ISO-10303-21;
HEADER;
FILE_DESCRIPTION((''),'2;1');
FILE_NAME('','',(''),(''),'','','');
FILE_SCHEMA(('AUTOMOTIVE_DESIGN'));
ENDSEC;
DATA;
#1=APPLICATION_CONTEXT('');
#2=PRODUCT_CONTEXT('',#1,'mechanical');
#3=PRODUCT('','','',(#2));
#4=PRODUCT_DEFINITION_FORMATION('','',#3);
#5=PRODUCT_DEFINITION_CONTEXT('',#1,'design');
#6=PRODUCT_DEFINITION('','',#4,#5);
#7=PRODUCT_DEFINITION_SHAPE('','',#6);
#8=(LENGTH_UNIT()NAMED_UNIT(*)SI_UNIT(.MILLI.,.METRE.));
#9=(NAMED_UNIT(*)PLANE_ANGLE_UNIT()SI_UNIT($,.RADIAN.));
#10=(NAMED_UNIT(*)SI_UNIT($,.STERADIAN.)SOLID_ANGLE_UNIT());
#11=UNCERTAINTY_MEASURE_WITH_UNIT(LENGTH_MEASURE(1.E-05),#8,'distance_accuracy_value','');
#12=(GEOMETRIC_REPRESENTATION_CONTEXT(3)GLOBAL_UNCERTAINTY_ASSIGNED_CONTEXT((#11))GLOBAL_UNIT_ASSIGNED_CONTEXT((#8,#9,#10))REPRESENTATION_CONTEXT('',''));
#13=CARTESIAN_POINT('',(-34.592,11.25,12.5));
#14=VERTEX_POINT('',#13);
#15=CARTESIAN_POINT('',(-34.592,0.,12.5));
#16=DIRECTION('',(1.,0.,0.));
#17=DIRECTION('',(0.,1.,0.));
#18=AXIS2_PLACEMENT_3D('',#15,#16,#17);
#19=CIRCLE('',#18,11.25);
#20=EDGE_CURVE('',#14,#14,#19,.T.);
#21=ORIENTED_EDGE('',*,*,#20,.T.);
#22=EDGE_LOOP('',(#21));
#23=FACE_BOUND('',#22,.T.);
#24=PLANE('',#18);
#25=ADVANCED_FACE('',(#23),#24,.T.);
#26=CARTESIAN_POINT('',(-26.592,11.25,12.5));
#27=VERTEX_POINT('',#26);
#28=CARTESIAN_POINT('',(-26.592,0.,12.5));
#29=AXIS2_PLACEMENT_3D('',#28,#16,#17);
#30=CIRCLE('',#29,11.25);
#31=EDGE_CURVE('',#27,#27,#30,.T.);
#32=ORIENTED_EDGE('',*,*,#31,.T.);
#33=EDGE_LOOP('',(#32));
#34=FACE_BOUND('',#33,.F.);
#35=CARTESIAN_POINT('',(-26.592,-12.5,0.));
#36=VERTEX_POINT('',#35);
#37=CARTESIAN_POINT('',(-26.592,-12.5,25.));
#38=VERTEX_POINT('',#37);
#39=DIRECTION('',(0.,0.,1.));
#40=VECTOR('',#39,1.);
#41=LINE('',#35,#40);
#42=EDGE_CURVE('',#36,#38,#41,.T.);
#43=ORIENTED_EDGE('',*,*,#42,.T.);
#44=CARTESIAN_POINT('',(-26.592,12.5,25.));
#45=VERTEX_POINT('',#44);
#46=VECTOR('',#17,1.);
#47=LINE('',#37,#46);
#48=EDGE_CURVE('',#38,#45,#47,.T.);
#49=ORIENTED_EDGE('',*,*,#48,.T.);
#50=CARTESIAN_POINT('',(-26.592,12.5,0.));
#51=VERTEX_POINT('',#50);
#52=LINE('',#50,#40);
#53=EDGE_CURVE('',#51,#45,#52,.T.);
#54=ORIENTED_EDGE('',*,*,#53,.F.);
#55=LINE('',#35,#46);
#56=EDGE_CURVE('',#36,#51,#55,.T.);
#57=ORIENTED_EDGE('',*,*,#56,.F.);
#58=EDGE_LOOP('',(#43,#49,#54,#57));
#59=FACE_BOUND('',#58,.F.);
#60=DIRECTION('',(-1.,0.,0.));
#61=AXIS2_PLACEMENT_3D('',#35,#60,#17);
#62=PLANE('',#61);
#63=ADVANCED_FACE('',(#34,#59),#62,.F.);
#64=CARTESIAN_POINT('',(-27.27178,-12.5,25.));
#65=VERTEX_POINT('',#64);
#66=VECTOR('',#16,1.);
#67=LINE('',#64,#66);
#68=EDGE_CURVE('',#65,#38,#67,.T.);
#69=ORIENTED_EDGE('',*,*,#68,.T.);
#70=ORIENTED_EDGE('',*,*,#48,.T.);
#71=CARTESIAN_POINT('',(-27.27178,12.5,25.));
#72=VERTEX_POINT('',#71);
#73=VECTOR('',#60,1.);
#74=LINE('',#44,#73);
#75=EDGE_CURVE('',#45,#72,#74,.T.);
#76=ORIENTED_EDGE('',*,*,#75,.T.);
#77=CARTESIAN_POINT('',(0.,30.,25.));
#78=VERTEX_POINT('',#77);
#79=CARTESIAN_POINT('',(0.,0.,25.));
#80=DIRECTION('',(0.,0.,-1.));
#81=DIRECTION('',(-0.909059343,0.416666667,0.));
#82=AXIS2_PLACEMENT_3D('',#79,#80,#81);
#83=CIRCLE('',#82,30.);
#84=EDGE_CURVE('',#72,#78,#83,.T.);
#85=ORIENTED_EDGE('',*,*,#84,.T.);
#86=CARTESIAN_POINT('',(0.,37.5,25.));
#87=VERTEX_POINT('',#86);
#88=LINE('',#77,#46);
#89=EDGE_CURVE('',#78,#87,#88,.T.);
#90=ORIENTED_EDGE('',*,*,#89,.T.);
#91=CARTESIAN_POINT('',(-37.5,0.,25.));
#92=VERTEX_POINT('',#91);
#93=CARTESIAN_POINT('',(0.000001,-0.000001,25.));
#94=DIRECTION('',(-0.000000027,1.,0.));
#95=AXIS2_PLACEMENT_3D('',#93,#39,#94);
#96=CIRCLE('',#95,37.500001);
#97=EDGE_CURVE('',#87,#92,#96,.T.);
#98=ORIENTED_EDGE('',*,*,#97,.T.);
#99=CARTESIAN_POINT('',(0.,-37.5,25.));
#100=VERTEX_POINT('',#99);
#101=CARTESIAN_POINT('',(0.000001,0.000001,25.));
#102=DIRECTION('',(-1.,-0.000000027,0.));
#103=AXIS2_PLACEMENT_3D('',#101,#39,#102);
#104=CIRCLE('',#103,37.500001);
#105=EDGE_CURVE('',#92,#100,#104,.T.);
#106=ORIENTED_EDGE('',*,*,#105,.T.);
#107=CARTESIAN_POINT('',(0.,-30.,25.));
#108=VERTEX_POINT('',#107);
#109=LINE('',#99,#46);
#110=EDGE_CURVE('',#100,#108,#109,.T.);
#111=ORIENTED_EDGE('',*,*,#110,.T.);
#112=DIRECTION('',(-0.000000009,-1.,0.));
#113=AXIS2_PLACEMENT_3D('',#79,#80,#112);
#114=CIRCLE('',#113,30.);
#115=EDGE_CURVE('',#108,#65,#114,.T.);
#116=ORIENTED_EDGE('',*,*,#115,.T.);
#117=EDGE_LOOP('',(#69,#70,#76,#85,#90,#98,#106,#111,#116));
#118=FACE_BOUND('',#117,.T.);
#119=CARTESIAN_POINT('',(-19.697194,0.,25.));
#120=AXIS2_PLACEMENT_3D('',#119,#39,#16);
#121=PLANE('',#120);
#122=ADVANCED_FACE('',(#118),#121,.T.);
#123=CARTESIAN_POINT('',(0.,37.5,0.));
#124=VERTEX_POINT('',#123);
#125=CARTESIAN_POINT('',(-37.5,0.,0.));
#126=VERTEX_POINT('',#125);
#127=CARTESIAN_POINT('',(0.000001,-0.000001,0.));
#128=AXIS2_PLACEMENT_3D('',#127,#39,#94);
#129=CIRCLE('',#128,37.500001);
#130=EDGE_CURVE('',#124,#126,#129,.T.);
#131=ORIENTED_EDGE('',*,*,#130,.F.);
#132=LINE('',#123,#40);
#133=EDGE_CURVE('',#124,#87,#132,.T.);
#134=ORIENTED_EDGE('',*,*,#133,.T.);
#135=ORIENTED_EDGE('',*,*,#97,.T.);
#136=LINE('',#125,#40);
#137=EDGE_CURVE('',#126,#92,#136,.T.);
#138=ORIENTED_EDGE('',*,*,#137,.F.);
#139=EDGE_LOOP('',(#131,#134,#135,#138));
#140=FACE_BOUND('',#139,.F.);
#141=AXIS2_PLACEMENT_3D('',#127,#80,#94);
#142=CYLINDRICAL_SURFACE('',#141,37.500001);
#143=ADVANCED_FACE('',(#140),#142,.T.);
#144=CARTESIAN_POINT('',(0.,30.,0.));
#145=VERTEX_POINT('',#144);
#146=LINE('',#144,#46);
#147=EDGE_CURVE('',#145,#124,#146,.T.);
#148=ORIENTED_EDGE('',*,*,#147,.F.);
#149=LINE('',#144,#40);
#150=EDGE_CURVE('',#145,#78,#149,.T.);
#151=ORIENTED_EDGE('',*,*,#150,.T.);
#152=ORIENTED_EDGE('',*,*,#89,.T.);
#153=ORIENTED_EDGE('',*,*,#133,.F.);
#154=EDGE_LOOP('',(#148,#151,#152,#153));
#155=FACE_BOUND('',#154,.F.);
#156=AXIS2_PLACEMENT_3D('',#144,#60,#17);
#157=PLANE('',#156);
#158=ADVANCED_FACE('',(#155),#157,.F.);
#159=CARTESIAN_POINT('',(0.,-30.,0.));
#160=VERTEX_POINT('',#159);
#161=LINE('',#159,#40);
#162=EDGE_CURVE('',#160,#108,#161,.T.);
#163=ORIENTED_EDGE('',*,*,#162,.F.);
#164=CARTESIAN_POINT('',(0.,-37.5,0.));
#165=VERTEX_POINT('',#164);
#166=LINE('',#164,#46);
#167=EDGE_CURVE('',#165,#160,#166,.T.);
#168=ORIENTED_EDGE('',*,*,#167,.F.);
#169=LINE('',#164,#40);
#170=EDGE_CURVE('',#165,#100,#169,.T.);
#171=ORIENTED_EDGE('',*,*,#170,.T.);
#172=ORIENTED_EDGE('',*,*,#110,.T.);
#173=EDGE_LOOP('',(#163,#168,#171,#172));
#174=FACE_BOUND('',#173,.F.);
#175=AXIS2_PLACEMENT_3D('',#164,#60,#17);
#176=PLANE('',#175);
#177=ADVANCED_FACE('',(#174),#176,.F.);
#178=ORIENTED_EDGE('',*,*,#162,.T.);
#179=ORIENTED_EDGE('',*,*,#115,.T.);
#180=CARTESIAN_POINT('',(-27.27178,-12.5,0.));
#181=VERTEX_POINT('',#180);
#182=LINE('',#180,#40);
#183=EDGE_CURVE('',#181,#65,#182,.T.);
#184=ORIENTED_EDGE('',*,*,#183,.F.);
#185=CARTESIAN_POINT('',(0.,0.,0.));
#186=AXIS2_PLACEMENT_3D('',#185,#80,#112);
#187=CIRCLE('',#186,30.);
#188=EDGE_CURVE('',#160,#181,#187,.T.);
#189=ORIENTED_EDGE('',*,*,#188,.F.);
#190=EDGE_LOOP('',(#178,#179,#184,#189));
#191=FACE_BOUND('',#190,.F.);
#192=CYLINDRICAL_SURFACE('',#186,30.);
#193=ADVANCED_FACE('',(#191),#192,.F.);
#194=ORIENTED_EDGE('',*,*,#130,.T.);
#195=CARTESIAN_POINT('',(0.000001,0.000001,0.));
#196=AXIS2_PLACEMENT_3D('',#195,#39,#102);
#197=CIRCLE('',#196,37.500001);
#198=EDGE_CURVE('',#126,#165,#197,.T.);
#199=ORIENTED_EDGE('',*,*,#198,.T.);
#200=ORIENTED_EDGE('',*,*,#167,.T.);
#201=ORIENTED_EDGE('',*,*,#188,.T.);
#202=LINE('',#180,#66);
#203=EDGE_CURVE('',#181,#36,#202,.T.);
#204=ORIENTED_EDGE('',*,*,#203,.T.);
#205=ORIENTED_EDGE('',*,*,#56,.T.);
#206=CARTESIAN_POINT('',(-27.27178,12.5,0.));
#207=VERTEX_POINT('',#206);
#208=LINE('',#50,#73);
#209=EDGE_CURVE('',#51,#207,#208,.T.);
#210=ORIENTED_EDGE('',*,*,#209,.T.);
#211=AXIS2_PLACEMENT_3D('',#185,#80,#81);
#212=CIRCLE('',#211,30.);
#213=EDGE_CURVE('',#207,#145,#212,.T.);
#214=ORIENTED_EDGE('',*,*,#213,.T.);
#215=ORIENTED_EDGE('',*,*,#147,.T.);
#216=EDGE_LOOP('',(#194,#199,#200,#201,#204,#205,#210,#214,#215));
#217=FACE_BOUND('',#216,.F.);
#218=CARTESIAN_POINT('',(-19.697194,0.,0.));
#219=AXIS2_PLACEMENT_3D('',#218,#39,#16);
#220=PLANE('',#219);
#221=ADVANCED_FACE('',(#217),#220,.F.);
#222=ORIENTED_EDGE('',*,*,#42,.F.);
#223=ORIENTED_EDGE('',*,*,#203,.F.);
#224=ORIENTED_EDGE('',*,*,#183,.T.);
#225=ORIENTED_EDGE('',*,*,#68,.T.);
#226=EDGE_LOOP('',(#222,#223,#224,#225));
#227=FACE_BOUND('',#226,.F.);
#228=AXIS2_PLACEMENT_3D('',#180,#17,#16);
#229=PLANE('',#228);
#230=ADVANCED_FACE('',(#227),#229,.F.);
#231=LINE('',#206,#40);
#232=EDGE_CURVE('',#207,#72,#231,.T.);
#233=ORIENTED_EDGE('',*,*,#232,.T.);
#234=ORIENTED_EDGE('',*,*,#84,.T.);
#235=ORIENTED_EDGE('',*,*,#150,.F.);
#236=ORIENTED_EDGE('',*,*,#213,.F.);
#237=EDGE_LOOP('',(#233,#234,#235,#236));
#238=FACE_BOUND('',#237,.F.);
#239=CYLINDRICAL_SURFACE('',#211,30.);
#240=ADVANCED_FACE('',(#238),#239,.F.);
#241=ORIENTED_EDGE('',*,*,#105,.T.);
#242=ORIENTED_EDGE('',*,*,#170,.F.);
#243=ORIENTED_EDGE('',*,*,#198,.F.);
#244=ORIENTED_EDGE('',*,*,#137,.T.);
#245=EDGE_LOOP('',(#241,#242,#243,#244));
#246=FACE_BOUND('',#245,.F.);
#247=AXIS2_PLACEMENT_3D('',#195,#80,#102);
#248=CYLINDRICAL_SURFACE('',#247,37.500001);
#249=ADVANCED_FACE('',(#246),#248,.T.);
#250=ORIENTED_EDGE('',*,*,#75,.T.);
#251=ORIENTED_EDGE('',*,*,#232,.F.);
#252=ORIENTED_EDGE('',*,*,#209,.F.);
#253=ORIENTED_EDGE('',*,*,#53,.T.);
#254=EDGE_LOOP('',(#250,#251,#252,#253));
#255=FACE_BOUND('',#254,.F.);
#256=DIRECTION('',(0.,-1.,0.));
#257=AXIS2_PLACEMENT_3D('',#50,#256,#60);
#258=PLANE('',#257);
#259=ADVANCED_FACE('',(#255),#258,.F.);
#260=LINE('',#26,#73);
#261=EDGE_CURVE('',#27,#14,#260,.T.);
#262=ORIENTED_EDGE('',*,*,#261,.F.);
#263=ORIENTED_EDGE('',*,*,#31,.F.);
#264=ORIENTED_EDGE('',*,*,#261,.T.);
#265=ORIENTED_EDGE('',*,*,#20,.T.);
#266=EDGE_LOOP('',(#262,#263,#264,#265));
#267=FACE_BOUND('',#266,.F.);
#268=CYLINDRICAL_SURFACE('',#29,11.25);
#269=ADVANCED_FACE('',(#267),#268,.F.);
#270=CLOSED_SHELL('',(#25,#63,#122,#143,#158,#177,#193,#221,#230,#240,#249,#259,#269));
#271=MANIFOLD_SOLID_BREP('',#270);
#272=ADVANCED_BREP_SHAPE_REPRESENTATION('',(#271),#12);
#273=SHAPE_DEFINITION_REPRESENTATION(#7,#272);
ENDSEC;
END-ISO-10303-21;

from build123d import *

# Parameters (mm, degrees)
F1_DEPTH = 25
F2_R     = 11.25
F3_DEPTH = 8


with BuildPart() as f1:
    # F0 (on Top) → F1 (new body)
    with BuildSketch(Plane.XY):
        with BuildLine():
            ThreePointArc((0, -30), (-16.201852, -25.248762), (-27.27178, -12.5))
            Line((-27.27178, -12.5), (-26.592, -12.5))
            Line((-26.592, -12.5), (-26.592, 0))
            Line((-26.592, 0), (-26.592, 12.5))
            Line((-26.592, 12.5), (-27.27178, 12.5))
            ThreePointArc((-27.27178, 12.5), (-16.201852, 25.248762), (0, 30))
            Line((0, 30), (0, 37.5))
            ThreePointArc((0, 37.5), (-26.516504, 26.516504), (-37.5, 0))
            ThreePointArc((-37.5, 0), (-26.516504, -26.516504), (0, -37.5))
            Line((0, -37.5), (0, -30))
        make_face()
    extrude(amount=F1_DEPTH)

    # F2 (on face) → F3 (cut)
    with BuildSketch(Plane.YZ.offset(-26.592)):
        with Locations((0, 12.5)):
            Circle(F2_R)
    extrude(amount=-F3_DEPTH, mode=Mode.SUBTRACT)


solid = f1.part
